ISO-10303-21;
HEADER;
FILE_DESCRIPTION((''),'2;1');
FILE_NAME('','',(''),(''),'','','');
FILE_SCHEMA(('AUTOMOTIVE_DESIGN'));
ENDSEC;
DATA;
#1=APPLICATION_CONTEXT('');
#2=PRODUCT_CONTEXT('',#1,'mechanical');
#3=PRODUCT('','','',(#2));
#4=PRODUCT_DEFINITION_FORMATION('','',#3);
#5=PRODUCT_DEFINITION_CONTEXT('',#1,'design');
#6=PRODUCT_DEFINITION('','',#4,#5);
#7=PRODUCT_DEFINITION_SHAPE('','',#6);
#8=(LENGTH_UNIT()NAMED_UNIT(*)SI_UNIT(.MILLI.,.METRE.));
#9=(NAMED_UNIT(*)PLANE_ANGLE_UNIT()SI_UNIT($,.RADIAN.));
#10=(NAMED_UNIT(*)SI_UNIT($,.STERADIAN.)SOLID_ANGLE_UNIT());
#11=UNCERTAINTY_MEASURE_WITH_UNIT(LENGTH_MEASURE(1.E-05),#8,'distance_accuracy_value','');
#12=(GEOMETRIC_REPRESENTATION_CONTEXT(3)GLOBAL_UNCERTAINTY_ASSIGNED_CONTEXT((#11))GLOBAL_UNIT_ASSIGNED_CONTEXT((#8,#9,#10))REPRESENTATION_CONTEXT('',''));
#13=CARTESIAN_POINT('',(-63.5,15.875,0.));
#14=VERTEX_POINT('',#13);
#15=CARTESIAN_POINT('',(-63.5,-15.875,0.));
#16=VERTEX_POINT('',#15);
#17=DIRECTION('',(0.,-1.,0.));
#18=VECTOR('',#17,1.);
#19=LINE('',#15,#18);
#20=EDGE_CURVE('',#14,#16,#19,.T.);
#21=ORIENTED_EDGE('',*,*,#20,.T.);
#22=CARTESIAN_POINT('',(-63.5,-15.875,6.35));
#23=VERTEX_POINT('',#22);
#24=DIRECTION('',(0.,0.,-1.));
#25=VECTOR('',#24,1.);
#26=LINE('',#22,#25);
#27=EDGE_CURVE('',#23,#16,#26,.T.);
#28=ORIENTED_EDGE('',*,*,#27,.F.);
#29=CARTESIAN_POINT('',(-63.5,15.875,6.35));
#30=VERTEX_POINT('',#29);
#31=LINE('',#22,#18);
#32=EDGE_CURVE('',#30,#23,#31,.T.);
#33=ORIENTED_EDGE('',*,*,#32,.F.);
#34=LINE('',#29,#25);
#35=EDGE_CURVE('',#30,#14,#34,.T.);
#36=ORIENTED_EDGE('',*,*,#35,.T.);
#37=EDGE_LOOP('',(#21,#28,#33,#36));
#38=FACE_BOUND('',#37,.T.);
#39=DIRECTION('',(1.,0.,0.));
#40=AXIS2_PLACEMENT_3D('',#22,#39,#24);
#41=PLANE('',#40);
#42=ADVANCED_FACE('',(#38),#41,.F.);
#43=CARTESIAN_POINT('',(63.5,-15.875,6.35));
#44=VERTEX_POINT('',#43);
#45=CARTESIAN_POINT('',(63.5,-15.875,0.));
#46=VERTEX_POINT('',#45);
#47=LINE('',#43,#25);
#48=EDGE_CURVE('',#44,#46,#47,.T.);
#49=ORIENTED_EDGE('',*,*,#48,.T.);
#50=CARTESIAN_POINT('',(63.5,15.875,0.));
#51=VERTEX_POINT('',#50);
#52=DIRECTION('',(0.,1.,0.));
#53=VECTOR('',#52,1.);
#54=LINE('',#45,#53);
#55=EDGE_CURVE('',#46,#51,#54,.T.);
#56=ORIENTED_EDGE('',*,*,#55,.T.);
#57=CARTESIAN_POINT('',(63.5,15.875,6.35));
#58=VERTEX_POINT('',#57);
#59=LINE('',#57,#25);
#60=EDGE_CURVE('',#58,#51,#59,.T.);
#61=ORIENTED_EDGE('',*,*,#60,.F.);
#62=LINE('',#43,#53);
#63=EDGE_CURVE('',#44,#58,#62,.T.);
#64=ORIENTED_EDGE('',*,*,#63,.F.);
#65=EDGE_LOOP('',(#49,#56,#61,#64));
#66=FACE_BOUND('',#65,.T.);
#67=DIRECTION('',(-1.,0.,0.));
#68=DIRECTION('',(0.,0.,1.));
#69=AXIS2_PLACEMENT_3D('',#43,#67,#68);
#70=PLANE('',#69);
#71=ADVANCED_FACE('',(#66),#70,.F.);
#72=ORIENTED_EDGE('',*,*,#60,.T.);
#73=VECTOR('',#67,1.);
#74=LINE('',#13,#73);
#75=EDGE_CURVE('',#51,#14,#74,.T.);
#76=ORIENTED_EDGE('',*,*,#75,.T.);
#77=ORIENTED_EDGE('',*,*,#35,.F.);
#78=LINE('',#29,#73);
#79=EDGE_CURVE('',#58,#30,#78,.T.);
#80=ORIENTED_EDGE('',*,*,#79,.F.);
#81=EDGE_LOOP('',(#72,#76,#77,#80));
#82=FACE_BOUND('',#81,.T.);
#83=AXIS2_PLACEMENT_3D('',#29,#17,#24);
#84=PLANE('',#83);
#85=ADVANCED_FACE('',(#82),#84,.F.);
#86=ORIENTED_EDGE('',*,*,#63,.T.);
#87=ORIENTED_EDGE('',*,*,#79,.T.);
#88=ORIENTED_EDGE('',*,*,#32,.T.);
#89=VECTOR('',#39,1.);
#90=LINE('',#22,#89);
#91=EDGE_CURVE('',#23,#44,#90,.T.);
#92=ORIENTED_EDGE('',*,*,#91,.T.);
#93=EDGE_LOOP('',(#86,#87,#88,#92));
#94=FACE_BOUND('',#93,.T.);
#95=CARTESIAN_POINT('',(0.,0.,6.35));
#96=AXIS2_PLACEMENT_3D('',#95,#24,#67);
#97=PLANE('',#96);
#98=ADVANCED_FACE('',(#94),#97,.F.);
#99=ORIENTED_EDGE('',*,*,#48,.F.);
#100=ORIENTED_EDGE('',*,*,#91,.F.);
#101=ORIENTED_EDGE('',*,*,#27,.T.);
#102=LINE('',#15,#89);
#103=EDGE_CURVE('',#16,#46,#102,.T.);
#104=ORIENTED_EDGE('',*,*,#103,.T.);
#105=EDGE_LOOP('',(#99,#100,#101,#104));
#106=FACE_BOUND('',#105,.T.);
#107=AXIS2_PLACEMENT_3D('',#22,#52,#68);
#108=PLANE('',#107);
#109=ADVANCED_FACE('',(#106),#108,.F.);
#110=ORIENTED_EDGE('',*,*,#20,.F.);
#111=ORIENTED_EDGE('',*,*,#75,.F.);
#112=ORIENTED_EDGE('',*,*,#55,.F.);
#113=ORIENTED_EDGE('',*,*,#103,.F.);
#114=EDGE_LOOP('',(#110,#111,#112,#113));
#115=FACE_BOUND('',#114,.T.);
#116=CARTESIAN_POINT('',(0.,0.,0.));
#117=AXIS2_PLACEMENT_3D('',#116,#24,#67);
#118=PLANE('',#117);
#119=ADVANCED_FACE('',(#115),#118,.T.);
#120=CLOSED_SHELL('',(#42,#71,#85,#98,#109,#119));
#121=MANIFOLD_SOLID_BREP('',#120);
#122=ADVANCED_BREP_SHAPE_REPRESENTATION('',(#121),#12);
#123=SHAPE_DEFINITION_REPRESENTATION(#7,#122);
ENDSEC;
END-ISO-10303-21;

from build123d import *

# Parameters (mm, degrees)
SKETCH1_W           = 127
SKETCH1_H           = 31.75
BOSS_EXTRUDE1_DEPTH = 6.35


with BuildPart() as part:
    # Sketch1 → Boss-Extrude1 (new body)
    with BuildSketch(Plane.XY):
        Rectangle(SKETCH1_W, SKETCH1_H)
    extrude(amount=BOSS_EXTRUDE1_DEPTH)


solid = part.part
